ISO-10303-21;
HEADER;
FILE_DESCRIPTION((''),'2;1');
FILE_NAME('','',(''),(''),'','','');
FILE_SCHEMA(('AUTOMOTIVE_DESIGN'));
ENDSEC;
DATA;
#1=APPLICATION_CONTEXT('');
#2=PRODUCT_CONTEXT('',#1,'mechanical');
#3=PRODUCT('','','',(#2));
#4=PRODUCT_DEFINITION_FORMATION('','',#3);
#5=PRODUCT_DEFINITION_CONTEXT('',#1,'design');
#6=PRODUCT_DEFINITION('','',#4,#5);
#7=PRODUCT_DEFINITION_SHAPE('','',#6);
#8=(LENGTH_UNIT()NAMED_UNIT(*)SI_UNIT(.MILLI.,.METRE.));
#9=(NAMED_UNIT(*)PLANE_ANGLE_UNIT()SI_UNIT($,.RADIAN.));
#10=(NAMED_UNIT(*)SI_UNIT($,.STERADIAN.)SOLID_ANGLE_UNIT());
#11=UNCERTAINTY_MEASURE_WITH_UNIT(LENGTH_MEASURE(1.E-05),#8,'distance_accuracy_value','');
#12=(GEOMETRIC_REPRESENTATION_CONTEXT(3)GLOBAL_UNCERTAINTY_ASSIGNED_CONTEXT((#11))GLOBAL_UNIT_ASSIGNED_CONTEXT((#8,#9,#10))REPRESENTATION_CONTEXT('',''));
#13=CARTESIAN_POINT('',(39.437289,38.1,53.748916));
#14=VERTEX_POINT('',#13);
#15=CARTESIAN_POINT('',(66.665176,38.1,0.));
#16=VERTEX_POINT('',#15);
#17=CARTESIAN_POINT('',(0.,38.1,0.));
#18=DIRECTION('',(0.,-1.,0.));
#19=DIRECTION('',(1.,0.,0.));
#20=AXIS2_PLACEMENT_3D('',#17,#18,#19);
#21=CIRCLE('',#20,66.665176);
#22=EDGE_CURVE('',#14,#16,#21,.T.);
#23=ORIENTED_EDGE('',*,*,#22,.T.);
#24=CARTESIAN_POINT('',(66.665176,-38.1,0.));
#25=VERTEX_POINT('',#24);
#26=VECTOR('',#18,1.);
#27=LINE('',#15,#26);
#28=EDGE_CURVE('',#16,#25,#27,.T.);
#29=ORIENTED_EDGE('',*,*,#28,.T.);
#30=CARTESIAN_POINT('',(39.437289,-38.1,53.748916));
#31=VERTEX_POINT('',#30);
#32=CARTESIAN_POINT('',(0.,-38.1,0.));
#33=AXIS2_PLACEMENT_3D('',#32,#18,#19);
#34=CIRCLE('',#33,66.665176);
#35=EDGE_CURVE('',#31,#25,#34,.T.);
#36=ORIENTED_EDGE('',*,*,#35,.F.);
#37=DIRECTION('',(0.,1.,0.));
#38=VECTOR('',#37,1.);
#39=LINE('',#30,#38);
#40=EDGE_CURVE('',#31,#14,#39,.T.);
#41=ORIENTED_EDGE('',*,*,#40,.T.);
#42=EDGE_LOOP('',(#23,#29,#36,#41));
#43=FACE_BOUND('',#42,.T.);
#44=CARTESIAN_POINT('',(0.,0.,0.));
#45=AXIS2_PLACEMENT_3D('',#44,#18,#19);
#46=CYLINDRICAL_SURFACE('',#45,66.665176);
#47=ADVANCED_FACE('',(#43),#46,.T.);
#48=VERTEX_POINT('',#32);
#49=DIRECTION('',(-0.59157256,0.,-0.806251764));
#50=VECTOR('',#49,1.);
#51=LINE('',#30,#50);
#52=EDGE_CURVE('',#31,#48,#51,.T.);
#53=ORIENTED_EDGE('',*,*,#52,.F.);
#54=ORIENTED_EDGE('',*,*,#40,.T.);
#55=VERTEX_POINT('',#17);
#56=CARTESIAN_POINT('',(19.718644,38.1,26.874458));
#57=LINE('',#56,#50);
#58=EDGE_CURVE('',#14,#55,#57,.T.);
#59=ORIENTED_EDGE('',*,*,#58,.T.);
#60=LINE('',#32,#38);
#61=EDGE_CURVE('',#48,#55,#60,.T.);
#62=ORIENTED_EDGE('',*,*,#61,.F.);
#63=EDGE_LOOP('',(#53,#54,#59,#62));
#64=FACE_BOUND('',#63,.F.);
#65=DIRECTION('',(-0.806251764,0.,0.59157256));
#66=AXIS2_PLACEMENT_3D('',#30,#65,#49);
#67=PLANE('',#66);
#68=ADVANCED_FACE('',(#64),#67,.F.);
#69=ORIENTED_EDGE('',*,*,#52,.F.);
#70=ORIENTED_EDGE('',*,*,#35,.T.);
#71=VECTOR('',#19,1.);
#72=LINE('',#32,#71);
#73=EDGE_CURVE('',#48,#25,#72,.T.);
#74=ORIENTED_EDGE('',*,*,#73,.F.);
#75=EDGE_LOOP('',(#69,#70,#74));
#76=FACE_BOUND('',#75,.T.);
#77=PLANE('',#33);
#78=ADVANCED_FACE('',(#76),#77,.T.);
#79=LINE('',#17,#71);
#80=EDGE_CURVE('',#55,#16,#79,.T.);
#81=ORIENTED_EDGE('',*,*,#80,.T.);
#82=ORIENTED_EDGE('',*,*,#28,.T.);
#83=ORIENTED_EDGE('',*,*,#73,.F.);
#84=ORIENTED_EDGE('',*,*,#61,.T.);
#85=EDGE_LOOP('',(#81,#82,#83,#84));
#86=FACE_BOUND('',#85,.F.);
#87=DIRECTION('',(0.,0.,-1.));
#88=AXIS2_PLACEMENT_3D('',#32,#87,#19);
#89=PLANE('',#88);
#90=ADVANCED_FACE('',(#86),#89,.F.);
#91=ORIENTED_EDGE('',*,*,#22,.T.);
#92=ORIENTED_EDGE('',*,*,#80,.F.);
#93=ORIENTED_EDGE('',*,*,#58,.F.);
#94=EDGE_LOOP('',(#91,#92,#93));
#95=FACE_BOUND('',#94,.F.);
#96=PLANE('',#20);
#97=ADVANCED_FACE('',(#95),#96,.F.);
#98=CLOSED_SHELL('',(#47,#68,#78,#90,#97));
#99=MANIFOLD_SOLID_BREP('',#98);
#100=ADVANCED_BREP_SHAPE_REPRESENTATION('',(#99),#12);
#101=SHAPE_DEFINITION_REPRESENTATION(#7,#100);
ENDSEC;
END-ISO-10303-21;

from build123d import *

# Parameters (mm, degrees)
F0_R     = 66.665176
F1_DEPTH = 38.1
F3_DEPTH = 76.201


with BuildPart() as f1:
    # F0 (on Front) → F1 (new body, symmetric)
    with BuildSketch(Plane.XZ):
        Circle(F0_R)
    extrude(amount=F1_DEPTH, both=True)

    # F2 (on face) → F3 (cut, through all)
    with BuildSketch(Plane.XZ.offset(38.1)):
        with BuildLine():
            Line((39.437289, 53.748916), (0, 0))
            Line((0, 0), (66.665176, 0))
            ThreePointArc((66.665176, 0), (59.469906, 30.126001), (39.437289, 53.748916))
        make_face()
    extrude(amount=-F3_DEPTH, mode=Mode.SUBTRACT)


solid = f1.part
